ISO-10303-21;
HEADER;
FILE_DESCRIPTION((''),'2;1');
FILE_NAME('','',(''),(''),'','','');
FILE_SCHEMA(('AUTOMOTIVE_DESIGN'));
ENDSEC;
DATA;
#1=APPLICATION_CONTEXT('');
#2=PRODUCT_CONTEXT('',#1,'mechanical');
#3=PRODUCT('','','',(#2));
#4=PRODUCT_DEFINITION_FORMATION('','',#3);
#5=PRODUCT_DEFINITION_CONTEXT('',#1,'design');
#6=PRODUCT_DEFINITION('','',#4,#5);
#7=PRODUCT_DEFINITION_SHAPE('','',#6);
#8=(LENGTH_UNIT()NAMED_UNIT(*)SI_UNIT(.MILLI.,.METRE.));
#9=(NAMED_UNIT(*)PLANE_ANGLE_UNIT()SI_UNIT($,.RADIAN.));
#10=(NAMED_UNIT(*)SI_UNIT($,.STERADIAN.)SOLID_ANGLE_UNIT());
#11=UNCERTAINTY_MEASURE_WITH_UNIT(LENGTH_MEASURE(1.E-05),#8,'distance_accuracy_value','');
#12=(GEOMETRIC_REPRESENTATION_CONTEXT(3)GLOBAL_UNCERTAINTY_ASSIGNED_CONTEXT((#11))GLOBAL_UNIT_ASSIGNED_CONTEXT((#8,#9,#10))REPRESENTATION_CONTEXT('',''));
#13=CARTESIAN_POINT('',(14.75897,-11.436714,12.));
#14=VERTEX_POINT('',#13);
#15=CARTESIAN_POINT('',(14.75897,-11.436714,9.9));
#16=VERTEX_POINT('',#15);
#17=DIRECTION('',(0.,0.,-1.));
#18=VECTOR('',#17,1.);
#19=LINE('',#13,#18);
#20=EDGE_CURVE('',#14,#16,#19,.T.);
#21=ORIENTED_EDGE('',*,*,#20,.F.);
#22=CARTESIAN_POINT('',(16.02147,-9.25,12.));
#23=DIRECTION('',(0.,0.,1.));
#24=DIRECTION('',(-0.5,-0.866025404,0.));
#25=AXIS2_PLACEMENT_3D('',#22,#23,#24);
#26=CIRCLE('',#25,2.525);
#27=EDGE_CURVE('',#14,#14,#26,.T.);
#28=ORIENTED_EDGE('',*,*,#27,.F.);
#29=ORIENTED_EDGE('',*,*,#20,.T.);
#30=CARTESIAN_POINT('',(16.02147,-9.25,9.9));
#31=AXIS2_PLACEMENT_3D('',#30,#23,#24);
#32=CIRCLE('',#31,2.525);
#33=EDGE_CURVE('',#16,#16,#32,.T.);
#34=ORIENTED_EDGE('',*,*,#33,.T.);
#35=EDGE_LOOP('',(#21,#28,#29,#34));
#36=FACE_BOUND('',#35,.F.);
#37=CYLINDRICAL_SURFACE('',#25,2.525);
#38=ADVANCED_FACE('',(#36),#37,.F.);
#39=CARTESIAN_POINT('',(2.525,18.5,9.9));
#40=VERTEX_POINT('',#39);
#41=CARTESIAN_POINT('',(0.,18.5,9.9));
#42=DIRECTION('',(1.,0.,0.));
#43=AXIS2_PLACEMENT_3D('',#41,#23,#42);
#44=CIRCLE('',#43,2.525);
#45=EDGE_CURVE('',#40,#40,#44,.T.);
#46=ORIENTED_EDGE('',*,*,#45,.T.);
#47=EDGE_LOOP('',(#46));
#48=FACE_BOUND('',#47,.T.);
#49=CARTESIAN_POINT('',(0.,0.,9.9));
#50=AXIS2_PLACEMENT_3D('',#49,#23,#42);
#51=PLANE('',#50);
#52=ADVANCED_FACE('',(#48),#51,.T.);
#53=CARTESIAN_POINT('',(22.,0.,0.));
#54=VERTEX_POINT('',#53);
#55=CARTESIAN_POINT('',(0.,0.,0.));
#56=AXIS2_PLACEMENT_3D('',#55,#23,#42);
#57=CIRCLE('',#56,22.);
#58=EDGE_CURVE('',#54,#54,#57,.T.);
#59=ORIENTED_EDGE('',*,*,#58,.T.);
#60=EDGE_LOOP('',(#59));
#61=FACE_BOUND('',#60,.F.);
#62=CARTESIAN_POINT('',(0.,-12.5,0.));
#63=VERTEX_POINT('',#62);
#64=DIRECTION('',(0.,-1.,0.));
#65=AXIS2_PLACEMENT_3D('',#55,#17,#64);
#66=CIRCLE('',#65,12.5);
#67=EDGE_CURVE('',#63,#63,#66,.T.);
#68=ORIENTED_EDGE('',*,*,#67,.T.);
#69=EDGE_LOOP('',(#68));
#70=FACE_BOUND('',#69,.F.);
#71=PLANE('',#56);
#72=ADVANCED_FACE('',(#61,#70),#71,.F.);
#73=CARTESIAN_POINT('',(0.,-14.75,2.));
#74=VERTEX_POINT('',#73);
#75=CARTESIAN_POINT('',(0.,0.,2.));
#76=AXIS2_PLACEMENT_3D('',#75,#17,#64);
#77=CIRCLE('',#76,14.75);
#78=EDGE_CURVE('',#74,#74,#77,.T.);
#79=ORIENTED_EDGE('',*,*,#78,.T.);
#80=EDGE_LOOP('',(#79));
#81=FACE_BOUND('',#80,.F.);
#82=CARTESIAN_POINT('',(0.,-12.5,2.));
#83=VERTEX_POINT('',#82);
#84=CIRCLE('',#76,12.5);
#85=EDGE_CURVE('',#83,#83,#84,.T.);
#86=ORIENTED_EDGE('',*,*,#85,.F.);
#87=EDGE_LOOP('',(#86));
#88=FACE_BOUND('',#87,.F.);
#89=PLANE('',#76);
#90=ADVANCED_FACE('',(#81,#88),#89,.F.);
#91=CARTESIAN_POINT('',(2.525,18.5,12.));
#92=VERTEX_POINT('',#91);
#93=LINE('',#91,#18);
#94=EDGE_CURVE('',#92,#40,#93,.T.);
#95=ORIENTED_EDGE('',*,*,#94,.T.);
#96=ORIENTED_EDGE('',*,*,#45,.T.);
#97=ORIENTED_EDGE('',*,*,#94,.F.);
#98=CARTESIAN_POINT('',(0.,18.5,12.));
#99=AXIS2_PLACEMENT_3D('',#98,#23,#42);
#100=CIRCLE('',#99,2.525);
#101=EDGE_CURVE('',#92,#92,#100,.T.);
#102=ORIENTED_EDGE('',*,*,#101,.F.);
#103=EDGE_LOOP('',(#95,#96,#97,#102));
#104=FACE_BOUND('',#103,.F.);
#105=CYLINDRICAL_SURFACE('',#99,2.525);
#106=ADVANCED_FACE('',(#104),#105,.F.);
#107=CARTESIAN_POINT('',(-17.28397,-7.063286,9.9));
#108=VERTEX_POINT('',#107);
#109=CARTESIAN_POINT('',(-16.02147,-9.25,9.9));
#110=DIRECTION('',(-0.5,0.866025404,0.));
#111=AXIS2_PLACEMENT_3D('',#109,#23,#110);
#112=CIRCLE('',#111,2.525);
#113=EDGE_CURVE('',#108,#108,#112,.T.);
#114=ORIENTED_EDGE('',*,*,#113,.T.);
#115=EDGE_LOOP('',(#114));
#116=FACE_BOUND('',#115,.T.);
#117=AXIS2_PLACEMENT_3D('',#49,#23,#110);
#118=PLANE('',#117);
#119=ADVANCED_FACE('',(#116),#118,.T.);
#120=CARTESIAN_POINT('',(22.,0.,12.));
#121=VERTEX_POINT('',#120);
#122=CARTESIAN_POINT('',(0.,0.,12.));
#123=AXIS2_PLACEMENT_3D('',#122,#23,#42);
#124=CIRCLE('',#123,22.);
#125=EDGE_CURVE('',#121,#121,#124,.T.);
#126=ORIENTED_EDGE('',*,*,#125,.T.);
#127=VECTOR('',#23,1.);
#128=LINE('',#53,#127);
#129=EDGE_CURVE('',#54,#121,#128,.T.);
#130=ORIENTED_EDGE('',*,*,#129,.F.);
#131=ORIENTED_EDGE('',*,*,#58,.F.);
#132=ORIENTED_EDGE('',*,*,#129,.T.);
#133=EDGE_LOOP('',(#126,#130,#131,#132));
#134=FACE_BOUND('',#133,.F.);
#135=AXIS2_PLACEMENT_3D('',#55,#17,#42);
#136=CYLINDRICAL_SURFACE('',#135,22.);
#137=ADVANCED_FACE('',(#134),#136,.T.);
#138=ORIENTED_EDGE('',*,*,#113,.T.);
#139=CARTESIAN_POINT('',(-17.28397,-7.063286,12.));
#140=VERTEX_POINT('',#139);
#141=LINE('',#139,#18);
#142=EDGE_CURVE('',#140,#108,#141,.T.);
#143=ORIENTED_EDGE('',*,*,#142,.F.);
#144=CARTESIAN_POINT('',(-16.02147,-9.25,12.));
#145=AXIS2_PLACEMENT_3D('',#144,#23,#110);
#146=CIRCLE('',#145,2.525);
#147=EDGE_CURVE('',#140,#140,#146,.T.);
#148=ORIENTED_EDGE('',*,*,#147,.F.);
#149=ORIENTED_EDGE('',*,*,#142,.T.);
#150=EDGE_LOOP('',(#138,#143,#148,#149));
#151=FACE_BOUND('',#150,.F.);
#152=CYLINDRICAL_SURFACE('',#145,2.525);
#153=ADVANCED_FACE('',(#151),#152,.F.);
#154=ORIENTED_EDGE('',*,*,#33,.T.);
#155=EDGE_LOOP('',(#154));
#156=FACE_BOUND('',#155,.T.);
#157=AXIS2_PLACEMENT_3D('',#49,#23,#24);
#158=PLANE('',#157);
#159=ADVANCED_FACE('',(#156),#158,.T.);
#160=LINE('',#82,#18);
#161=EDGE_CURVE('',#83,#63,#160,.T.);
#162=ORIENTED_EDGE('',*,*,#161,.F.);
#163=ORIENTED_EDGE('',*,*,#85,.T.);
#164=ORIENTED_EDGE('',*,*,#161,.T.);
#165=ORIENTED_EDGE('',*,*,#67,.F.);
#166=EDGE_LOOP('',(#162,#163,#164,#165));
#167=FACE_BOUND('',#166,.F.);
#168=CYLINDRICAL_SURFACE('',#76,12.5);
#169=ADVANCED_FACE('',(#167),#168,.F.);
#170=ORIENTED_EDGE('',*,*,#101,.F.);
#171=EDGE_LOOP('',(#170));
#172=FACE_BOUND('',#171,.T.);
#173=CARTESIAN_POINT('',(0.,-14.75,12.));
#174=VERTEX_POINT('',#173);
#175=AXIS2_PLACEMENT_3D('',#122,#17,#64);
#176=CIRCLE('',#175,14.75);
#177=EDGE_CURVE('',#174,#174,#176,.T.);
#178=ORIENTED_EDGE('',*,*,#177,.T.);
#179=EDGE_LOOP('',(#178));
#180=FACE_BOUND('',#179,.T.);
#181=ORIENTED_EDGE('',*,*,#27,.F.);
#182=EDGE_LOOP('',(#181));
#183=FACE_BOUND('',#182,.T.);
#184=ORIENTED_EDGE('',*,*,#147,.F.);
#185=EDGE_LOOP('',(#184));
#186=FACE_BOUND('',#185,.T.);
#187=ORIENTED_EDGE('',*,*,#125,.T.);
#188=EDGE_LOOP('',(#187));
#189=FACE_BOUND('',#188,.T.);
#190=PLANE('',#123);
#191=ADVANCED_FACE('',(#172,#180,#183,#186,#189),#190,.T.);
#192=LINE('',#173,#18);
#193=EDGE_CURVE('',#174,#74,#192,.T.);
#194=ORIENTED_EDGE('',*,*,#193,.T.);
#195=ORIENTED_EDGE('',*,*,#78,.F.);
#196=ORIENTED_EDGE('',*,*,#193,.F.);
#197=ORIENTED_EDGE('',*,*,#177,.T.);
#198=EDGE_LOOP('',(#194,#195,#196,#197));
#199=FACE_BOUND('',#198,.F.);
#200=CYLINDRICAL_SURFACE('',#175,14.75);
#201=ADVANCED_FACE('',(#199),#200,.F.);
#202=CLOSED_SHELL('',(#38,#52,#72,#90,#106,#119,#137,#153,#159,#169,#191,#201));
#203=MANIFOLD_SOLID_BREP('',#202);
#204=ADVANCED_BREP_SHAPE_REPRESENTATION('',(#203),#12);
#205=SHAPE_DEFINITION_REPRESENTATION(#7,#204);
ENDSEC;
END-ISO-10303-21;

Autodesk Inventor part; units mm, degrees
ref_plane "YZ Plane" through (0, 0, 0) normal (1, 0, 0) x (0, 1, 0)
ref_plane "XZ Plane" through (0, 0, 0) normal (0, 1, 0) x (-1, 0, 0)
ref_plane "XY Plane" through (0, 0, 0) normal (0, 0, 1) x (1, 0, 0)
sketch "Skizze1" plane through (0, 0, 0) normal (0, 0, 1) x (1, 0, 0)
  circle A0 centre (0, 0) radius 22
  dimension "d0" = 44
extrude "Extrusion1" add sketch "Skizze1" along normal blind 12
sketch "Skizze2" plane through (0, 0, 12) normal (0, 0, 1) x (1, 0, 0)
  circle A0 centre (0, 18.5) radius 2.525
  point P0 (0, 0)
  dimension "d3" = 5.05
  dimension "d4" = 18.5
extrude "Extrusion2" cut sketch "Skizze2" against normal blind 2.1
pattern_circular "Runde Anordnung1" count 3 over 360 about axis through (0, 0, 0) along (0, 0, 1) of "Extrusion2"
hole "Bohrung1" at (0, 0, 12) direction (0, 0, -1) diameter 25 depth 12 counterbore diameter 29.5 counterbore depth 10
properties part number "Sensor Deckel293"
